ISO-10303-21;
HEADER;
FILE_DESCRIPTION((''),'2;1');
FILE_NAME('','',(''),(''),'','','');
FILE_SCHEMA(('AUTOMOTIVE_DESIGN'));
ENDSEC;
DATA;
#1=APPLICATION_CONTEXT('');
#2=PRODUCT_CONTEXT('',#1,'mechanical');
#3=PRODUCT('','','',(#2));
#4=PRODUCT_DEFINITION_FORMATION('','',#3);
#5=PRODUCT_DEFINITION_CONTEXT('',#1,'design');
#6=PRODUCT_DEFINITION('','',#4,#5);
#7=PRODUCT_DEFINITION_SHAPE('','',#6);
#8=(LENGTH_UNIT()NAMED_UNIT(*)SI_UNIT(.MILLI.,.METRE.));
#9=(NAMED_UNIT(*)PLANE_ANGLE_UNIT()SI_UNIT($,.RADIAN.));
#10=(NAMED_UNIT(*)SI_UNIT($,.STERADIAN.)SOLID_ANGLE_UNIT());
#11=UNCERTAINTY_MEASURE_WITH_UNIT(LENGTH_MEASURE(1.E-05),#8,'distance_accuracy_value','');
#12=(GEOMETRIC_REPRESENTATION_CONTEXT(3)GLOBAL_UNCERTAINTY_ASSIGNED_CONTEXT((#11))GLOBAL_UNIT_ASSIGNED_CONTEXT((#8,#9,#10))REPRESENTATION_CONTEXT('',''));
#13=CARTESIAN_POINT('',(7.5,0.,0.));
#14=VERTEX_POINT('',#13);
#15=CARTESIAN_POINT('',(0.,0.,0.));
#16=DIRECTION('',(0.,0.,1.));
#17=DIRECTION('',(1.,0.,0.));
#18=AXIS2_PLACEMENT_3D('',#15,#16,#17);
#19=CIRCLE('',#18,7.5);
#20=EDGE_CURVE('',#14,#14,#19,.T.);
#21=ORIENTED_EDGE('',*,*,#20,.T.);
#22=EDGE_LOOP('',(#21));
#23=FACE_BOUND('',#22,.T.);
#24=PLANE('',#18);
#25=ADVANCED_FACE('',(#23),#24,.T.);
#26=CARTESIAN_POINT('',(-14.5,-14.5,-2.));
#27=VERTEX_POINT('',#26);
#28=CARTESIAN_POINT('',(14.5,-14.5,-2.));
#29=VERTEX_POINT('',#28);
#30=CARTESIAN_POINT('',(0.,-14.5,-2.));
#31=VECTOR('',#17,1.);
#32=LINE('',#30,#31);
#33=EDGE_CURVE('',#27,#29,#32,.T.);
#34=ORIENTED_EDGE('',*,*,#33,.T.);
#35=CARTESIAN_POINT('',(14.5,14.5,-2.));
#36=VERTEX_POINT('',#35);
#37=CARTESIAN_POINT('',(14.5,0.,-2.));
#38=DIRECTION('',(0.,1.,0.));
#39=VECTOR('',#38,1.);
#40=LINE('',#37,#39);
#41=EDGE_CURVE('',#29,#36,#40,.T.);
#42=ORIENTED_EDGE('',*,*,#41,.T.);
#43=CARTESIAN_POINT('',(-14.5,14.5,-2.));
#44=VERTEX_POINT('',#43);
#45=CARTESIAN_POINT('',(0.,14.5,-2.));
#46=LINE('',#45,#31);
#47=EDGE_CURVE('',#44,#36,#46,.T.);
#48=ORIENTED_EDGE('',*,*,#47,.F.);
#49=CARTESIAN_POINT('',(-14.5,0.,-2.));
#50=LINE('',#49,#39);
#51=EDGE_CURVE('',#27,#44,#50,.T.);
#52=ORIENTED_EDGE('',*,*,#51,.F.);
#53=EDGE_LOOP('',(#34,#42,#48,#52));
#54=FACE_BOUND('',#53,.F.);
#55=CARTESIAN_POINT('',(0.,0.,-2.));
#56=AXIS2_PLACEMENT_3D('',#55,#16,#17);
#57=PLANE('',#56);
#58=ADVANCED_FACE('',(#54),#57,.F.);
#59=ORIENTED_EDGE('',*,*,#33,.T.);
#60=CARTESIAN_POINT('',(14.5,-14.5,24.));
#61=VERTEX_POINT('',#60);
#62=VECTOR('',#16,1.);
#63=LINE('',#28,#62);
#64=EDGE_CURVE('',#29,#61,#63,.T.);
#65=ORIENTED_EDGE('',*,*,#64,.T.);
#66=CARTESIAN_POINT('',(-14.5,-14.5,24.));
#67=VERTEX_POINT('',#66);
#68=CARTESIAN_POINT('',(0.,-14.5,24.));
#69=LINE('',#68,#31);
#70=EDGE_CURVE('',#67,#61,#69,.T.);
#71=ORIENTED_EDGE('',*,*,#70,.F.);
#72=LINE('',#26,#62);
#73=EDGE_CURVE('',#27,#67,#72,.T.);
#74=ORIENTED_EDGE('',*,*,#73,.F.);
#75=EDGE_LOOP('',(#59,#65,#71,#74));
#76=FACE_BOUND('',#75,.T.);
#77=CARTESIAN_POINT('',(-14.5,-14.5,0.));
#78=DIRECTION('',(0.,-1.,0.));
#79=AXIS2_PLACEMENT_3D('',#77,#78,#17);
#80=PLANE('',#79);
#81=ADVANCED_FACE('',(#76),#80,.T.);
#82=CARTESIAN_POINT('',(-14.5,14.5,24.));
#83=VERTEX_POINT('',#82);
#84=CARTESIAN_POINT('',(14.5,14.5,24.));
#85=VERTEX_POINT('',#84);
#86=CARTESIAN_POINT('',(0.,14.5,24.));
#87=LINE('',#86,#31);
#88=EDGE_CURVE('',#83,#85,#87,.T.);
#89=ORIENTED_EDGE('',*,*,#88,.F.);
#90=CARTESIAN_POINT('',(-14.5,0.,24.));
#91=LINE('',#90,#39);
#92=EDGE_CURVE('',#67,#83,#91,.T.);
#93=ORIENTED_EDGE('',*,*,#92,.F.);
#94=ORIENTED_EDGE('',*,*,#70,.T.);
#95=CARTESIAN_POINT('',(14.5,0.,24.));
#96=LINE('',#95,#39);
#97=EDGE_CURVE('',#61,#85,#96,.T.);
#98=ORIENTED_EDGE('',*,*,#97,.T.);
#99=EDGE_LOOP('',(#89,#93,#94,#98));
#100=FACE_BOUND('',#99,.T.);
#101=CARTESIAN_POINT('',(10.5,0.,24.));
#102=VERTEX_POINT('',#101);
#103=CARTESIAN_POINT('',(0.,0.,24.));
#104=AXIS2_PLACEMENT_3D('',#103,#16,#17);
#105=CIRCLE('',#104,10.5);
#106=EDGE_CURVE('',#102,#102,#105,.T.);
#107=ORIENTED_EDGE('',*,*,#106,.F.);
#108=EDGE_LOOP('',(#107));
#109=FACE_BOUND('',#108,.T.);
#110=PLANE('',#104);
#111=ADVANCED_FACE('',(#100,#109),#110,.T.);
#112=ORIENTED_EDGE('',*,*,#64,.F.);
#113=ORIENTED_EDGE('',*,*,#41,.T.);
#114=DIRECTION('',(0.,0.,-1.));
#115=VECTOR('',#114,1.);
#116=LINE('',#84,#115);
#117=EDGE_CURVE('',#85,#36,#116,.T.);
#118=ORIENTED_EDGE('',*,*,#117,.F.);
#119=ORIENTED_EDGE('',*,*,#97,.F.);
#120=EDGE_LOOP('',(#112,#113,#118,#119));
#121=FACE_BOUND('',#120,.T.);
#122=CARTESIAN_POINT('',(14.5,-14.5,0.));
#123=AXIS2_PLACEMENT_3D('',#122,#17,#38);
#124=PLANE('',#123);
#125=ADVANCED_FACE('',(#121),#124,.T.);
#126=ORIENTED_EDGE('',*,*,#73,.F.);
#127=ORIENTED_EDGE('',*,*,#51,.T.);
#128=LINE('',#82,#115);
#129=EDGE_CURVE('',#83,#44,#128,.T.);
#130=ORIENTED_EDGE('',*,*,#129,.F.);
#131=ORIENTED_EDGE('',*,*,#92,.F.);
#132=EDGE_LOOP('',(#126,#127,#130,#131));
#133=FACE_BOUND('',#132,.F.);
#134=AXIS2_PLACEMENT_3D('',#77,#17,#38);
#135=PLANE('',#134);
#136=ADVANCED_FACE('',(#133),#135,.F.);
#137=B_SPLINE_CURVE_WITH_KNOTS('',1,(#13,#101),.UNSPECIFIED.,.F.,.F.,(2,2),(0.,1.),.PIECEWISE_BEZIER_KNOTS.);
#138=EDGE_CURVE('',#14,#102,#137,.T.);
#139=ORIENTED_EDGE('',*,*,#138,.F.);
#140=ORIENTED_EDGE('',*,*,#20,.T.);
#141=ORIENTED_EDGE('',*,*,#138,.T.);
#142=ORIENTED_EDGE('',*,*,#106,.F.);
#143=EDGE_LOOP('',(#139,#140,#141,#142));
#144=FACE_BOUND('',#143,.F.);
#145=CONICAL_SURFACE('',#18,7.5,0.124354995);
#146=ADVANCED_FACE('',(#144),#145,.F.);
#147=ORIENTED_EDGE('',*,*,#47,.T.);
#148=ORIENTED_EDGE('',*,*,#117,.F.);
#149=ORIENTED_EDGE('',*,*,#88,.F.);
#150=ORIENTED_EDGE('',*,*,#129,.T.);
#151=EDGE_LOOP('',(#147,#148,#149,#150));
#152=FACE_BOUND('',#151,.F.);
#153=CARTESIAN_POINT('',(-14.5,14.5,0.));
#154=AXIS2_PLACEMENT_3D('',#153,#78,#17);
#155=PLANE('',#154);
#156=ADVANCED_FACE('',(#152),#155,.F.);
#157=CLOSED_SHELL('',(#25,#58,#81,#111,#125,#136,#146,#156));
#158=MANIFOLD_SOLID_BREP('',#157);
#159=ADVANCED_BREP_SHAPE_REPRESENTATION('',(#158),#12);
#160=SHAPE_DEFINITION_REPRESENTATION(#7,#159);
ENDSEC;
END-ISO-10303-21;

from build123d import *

# Parameters (mm, degrees)
F0_W     = 29
F0_H     = 29
F0_R     = 10.5
F0_R_2   = 7.5
F3_DEPTH = 24
F2_R     = 10.5
F5_DEPTH = 1
F6_DEPTH = 2


with BuildPart() as f3:
    # F0 (on Top) → F3 (new body, through all)
    with BuildSketch(Plane.XY):
        Rectangle(F0_W, F0_H)
        Circle(F0_R, mode=Mode.SUBTRACT)
        Circle(F0_R)
        Circle(F0_R_2, mode=Mode.SUBTRACT)
    extrude(amount=F3_DEPTH)

    # F0 (on Top) → F4 section 0
    with BuildSketch(Plane.XY):
        Circle(F0_R_2)
    # F2 (on offset) → F4 section 1
    with BuildSketch(Plane.XY.offset(24)):
        Circle(F2_R)
    loft(mode=Mode.SUBTRACT)

    # F0 (on Top) → F5 (join)
    with BuildSketch(Plane.XY):
        Rectangle(F0_W, F0_H)
        Circle(F0_R, mode=Mode.SUBTRACT)
        Circle(F0_R)
        Circle(F0_R_2, mode=Mode.SUBTRACT)
    extrude(amount=-F5_DEPTH)

    # F0 (on Top) → F6 (join)
    with BuildSketch(Plane.XY):
        Rectangle(F0_W, F0_H)
        Circle(F0_R, mode=Mode.SUBTRACT)
        Circle(F0_R)
        Circle(F0_R_2, mode=Mode.SUBTRACT)
        Circle(F0_R_2)
    extrude(amount=-F6_DEPTH)


solid = f3.part
